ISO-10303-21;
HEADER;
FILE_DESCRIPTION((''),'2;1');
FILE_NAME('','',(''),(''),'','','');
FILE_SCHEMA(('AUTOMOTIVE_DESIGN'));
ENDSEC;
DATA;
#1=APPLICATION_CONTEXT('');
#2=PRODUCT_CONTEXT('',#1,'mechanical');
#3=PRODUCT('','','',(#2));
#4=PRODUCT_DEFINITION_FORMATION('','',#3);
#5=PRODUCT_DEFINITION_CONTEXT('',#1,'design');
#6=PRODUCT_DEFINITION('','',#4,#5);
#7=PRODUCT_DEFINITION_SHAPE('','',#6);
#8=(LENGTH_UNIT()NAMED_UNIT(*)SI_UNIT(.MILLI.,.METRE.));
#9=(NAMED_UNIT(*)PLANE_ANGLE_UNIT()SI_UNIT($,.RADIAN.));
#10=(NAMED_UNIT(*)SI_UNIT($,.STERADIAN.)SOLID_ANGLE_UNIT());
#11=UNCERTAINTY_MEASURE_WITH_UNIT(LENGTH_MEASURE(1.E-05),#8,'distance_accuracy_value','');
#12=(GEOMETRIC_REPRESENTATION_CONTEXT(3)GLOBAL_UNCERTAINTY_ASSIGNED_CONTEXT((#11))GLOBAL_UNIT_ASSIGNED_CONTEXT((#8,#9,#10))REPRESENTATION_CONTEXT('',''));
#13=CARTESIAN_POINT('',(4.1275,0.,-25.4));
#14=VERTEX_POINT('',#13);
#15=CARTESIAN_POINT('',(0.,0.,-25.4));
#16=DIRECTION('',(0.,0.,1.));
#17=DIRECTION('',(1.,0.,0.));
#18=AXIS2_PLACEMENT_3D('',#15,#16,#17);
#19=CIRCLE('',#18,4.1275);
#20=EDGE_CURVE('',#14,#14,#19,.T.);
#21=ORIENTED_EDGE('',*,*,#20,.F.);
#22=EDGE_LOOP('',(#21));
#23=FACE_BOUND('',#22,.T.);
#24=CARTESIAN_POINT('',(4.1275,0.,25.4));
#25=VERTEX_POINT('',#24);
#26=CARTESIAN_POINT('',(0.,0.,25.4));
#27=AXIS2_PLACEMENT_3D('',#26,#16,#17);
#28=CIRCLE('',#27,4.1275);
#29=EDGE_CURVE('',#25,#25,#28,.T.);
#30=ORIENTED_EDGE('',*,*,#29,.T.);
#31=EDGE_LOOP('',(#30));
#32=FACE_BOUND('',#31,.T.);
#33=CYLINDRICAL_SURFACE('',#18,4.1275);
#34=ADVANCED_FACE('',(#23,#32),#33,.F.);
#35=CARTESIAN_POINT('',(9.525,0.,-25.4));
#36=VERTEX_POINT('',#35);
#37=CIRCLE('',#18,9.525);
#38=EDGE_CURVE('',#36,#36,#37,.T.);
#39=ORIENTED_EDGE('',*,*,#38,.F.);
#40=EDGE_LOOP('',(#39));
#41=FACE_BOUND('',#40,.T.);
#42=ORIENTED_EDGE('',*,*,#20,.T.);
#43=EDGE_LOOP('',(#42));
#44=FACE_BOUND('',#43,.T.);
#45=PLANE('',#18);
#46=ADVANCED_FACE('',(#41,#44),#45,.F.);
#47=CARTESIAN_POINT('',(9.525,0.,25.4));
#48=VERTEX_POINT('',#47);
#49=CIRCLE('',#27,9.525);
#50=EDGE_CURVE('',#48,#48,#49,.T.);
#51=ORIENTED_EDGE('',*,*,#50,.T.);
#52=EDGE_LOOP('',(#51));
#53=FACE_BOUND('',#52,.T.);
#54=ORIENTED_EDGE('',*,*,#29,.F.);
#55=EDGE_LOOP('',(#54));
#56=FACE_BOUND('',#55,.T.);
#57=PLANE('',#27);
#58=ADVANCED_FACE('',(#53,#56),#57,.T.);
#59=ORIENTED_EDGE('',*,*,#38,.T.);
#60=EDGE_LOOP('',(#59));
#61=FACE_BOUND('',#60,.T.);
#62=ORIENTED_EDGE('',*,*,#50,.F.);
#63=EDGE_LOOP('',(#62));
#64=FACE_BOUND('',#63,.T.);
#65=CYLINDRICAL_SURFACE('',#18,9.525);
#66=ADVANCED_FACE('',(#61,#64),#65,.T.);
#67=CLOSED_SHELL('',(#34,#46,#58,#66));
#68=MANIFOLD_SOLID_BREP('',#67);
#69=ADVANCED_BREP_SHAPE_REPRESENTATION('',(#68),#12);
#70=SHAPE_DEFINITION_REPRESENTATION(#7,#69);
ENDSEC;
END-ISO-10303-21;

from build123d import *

# Parameters (mm, degrees)
BOSS_EXTRUDE1_DEPTH      = 25.4
BOSS_EXTRUDE1_DEPTH_BACK = 25.4
SKETCH3_R                = 9.525
SKETCH3_R_2              = 4.1275


with BuildPart() as part:
    # Sketch3 → Boss-Extrude1 (new, two sides: drawn at the far end of the back side and taken through both)
    with BuildSketch(Plane.XY.offset(-BOSS_EXTRUDE1_DEPTH_BACK)):
        Circle(SKETCH3_R)
        Circle(SKETCH3_R_2, mode=Mode.SUBTRACT)
    extrude(amount=BOSS_EXTRUDE1_DEPTH + BOSS_EXTRUDE1_DEPTH_BACK)


solid = part.part
